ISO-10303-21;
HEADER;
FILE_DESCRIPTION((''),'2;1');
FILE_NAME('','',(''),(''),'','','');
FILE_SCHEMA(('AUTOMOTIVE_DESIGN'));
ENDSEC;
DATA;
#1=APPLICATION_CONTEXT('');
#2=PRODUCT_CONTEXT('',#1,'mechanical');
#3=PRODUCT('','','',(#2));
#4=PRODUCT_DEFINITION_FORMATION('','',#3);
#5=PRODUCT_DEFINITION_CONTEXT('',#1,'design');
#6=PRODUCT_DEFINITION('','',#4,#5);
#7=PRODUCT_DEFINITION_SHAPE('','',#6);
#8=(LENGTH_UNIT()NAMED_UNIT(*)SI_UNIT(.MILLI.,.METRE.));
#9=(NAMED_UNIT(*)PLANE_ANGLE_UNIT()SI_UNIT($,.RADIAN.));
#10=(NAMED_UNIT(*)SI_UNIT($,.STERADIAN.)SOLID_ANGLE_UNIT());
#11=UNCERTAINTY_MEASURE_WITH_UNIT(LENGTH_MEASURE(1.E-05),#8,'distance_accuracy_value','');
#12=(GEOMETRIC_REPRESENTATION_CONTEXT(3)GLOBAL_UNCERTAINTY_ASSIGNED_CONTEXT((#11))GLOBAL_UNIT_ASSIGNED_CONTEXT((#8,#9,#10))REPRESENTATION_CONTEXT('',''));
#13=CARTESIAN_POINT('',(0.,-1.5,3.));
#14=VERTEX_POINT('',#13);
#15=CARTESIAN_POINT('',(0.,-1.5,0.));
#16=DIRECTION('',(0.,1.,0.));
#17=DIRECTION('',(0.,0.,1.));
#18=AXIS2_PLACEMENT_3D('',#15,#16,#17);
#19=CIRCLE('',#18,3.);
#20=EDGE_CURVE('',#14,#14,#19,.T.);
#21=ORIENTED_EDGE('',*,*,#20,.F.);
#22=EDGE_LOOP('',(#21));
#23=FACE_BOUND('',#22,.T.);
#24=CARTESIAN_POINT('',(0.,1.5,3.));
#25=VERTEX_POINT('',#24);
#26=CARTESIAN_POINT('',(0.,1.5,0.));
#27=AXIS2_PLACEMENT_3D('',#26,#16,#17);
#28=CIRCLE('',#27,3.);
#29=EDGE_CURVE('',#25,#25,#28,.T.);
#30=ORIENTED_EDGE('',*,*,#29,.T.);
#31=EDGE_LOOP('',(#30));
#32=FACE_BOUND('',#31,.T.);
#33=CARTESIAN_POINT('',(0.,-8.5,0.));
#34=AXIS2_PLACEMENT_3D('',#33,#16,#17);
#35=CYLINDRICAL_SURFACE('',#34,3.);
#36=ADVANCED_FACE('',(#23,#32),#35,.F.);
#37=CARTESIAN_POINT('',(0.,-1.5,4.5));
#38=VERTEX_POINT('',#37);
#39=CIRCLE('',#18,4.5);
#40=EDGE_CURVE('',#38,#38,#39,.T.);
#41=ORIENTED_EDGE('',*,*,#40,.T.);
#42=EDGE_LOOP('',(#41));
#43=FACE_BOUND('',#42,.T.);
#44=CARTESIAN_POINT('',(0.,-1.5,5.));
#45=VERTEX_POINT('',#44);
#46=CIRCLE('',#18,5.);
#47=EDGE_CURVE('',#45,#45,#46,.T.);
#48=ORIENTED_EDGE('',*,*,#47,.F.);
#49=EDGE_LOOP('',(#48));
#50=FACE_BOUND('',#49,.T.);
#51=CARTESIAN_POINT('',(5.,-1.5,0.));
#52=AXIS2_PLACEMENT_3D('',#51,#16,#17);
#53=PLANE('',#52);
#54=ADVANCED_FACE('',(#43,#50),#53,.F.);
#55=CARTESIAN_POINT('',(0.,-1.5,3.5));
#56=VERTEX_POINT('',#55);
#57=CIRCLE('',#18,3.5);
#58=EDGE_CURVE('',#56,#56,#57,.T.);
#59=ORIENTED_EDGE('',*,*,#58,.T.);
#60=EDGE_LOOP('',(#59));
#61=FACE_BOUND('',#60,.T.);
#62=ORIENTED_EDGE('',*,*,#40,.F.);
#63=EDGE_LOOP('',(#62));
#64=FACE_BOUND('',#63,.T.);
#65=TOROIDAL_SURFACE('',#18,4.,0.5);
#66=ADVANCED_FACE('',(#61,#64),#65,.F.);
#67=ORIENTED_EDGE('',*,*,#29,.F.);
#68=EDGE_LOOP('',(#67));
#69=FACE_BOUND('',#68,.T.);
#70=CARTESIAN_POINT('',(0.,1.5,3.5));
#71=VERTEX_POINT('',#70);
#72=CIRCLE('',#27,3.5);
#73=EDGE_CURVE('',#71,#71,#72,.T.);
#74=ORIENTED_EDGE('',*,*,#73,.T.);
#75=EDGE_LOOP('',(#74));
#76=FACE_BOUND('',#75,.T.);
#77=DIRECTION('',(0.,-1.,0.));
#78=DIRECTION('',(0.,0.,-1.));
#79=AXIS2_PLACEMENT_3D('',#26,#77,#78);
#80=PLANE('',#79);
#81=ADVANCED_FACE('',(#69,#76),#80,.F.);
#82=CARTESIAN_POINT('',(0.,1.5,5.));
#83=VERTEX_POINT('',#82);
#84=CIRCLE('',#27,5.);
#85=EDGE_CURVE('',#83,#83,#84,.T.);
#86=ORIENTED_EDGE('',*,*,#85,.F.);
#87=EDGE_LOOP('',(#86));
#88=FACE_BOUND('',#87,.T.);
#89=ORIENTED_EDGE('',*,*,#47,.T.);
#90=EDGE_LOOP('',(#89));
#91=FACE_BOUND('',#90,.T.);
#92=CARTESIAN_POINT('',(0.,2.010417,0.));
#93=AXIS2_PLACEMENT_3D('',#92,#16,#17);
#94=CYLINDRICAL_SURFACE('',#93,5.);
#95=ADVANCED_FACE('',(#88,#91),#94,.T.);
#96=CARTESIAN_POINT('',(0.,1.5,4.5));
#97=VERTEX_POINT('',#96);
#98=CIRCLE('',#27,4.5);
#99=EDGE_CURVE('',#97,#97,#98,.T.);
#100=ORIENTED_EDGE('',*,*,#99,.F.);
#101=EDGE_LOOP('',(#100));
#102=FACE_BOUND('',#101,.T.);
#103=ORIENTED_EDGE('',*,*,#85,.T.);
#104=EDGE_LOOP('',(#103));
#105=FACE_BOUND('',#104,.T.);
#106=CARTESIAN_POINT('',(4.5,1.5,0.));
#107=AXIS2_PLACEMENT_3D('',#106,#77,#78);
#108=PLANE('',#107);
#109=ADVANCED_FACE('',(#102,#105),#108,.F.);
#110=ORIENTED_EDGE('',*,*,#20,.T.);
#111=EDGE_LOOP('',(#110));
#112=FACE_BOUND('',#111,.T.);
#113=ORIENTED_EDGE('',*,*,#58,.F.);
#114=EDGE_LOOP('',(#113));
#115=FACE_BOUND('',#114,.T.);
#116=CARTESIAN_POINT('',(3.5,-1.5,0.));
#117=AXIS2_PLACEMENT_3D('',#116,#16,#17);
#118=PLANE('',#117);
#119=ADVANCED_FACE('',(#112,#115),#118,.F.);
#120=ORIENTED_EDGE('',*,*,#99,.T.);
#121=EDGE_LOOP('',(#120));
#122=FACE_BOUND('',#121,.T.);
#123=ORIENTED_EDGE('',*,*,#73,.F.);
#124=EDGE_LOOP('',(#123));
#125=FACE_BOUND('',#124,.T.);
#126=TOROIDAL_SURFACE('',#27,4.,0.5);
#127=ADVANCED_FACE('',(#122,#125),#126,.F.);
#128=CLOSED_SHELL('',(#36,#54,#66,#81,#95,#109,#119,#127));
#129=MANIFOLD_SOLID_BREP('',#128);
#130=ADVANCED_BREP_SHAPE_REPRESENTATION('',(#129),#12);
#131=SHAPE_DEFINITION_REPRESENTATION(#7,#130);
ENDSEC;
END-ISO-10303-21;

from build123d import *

# Parameters (mm, degrees)
SKETCH2_R          = 3
CUT_EXTRUDE1_DEPTH = 10


with BuildPart() as part:
    # Sketch1 → Revolve1 (revolve)
    with BuildSketch(Plane.XY, mode=Mode.PRIVATE) as revolve1_sk:
        with BuildLine():
            Line((0, 1.5), (3.5, 1.5))
            ThreePointArc((3.5, 1.5), (4, 1), (4.5, 1.5))
            Line((4.5, 1.5), (5, 1.5))
            Line((5, 1.5), (5, -1.5))
            Line((5, -1.5), (4.5, -1.5))
            ThreePointArc((4.5, -1.5), (4, -1), (3.5, -1.5))
            Line((3.5, -1.5), (0, -1.5))
            Line((0, -1.5), (0, 1.5))
        make_face()
    revolve(revolve1_sk.sketch.rotate(Axis((0, 2.010416667, 0), (0, -1, 0)), 90), axis=Axis((0, 2.010416667, 0), (0, -1, 0)))

    # Sketch2 → Cut-Extrude1 (cut)
    with BuildSketch(Plane(origin=(0, 1.5, 0), x_dir=(1, 0, 0), z_dir=(0, 1, 0))):
        with Locations(Location((0, 0, 0), (0, 0, 270))):
            Circle(SKETCH2_R)
    extrude(amount=-CUT_EXTRUDE1_DEPTH, mode=Mode.SUBTRACT)


solid = part.part
